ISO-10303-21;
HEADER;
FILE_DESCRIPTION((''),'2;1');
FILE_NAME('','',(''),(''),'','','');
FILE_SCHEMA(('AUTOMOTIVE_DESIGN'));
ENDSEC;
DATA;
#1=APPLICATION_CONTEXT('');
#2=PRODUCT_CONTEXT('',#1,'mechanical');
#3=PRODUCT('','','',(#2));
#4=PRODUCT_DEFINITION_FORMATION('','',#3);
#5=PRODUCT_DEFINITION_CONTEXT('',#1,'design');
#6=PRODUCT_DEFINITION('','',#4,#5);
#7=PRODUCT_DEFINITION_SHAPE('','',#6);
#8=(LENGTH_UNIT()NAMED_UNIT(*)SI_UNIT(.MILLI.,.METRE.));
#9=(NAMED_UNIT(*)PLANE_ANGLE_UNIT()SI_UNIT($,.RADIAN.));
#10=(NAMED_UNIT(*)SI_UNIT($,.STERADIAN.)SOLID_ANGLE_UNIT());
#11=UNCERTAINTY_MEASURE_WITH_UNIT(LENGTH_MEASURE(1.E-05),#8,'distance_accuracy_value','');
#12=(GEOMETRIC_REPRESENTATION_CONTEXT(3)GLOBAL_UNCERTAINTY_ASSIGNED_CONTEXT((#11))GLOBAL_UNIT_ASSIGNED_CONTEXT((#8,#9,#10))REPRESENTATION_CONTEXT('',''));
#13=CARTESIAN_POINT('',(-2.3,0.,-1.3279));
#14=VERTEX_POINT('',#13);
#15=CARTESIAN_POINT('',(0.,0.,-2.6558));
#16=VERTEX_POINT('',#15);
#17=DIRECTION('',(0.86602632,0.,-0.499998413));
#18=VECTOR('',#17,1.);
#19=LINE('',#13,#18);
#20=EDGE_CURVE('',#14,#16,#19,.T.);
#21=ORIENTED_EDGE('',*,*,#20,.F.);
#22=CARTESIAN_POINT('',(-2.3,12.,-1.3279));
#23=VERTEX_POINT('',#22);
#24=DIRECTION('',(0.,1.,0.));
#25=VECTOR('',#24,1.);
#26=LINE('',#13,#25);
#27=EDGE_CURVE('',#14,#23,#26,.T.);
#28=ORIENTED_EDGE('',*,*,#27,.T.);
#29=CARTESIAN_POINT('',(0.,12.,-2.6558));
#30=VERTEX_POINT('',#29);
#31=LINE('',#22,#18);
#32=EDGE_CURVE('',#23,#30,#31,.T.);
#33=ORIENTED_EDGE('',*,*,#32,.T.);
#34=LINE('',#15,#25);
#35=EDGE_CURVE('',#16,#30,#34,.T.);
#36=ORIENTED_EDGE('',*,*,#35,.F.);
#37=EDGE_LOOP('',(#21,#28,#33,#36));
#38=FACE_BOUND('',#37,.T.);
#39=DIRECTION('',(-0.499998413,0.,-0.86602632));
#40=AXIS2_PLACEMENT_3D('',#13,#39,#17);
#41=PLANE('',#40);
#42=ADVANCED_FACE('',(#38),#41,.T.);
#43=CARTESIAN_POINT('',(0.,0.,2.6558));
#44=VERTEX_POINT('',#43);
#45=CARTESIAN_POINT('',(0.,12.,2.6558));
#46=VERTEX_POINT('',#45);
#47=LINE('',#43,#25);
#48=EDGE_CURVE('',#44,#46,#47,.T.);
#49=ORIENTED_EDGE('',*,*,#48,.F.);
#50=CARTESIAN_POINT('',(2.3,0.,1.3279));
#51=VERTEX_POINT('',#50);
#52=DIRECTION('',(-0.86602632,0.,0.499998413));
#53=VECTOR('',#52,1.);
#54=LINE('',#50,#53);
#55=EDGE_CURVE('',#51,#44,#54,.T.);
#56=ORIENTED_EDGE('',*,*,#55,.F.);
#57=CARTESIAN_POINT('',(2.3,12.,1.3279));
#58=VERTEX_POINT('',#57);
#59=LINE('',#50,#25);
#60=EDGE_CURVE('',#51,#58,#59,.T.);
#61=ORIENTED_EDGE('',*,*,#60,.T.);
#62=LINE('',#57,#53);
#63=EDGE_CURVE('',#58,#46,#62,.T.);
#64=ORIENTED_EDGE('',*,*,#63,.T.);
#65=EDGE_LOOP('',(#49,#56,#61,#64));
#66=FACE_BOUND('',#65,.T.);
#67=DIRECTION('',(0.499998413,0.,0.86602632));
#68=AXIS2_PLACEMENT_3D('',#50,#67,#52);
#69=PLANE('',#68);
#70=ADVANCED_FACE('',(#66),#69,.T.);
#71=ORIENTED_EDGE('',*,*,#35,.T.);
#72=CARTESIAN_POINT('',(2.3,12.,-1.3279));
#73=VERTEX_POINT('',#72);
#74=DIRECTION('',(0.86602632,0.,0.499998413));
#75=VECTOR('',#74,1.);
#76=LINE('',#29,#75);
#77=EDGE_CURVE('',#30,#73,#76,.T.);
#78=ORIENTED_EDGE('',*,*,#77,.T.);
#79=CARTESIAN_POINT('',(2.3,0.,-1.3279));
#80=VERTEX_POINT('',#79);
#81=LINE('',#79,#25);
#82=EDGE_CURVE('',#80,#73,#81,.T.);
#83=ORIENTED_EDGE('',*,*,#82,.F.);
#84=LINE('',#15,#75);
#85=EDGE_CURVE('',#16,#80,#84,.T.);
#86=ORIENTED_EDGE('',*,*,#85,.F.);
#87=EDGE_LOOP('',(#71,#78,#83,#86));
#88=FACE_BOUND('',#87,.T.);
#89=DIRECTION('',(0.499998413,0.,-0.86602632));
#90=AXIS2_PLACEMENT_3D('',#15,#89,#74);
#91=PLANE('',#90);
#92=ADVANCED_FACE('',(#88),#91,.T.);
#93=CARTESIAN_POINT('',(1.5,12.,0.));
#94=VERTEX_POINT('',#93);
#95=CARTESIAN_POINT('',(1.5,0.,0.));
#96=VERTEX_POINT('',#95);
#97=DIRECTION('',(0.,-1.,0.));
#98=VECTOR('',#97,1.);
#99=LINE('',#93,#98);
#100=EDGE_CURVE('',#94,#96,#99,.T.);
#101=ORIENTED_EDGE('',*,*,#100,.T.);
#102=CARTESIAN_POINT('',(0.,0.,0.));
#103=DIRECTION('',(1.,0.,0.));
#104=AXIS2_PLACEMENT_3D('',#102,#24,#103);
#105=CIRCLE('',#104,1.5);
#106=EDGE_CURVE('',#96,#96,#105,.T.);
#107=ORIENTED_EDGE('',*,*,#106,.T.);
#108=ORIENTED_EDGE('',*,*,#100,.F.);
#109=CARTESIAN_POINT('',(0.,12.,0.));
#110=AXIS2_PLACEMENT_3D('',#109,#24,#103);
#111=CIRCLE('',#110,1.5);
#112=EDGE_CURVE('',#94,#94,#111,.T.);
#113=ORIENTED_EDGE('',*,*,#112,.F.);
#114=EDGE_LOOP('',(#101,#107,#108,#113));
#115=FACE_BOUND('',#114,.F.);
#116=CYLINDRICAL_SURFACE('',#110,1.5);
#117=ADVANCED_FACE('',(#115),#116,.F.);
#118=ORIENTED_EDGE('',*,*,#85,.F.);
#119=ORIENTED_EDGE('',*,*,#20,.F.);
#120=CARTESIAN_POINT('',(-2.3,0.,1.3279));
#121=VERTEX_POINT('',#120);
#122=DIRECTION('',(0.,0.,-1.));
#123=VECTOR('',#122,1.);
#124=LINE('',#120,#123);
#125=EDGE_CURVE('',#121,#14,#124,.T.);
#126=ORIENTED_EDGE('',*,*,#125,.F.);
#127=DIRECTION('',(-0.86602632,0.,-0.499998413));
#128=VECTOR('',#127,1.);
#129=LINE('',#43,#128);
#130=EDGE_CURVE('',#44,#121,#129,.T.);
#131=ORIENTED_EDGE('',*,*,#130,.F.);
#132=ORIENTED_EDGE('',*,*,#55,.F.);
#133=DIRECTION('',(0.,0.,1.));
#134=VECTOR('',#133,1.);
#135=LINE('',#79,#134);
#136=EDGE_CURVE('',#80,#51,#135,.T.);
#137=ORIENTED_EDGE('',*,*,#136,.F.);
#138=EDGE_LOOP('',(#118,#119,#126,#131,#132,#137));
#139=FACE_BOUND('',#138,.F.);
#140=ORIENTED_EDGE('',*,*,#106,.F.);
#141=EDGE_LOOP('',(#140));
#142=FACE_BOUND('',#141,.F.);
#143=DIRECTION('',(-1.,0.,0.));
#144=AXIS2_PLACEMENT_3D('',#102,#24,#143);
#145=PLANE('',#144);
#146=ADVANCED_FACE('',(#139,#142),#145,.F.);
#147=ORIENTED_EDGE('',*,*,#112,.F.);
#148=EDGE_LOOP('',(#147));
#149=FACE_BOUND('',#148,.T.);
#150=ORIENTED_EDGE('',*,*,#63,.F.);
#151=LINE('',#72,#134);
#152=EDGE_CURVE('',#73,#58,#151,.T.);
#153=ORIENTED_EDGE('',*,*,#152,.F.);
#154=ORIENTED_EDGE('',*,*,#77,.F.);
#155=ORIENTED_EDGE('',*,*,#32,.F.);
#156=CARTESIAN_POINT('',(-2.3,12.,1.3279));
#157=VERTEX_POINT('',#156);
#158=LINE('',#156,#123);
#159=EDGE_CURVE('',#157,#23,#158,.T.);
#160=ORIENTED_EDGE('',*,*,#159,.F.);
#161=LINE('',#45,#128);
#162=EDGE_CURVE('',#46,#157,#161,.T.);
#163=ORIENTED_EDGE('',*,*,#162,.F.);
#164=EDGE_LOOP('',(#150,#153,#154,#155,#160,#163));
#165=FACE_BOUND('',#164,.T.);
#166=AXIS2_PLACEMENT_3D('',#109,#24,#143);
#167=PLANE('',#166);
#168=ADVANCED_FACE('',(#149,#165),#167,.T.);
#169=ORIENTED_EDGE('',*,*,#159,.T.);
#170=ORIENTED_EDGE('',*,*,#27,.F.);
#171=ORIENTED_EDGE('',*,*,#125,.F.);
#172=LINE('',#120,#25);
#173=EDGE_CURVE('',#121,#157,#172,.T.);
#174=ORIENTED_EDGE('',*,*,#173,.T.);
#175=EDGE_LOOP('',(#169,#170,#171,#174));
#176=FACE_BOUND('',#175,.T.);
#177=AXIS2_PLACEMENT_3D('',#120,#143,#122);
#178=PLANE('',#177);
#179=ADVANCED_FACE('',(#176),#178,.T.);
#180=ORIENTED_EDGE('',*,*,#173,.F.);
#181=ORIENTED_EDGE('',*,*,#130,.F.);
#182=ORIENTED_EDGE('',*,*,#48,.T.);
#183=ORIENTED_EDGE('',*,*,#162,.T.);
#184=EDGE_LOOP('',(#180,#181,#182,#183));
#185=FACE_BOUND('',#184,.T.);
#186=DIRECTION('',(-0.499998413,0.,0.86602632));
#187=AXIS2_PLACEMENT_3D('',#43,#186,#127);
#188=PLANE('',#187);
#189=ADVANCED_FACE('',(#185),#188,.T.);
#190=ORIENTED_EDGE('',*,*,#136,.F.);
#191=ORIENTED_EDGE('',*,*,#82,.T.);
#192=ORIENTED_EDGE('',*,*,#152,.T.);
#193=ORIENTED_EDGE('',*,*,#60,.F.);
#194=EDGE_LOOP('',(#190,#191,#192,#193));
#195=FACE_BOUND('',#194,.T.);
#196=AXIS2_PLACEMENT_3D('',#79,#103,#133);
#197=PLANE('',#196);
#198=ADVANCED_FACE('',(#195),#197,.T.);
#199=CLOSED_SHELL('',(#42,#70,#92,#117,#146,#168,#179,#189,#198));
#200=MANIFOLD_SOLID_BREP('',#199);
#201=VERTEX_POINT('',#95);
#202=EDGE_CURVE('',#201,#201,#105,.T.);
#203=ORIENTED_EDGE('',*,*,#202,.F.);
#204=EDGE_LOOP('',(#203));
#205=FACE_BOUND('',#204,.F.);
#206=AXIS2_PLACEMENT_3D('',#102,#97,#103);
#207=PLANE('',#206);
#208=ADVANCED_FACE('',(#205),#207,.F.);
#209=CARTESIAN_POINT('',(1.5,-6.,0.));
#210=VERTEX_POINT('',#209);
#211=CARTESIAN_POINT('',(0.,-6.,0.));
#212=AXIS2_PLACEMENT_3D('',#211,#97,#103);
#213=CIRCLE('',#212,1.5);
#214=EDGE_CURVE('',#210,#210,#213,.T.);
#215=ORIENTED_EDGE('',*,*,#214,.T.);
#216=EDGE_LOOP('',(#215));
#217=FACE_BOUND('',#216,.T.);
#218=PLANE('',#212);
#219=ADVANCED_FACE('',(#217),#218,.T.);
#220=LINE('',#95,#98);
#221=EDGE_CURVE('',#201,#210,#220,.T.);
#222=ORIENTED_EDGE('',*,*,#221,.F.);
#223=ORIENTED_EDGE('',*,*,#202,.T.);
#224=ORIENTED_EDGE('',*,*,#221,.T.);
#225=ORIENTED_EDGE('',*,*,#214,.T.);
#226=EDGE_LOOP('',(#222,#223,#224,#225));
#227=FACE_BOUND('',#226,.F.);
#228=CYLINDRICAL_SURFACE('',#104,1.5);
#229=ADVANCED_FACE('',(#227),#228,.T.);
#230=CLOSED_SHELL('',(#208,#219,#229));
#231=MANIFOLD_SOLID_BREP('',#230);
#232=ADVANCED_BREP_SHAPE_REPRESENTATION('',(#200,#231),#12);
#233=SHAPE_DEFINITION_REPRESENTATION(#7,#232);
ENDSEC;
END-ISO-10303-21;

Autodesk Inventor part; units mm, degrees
ref_plane "YZ Plane" through (0, 0, 0) normal (1, 0, 0) x (0, 1, 0)
ref_plane "XZ Plane" through (0, 0, 0) normal (0, 1, 0) x (-1, 0, 0)
ref_plane "XY Plane" through (0, 0, 0) normal (0, 0, 1) x (1, 0, 0)
sketch "Sketch1" plane through (0, 0, 0) normal (0, 1, 0) x (-1, 0, 0)
  line L0 (0, -2.6558) -> (-2.3, -1.3279)
  line L1 (-2.3, -1.3279) -> (-2.3, 1.3279)
  line L2 (-2.3, 1.3279) -> (0, 2.6558)
  line L3 (0, 2.6558) -> (2.3, 1.3279)
  line L4 (2.3, 1.3279) -> (2.3, -1.3279)
  line L5 (2.3, -1.3279) -> (0, -2.6558)
  point P0 (0, 0)
  point P1 (0, 0)
  dimension "d0" = 4.6
extrude "Extrusion1" add sketch "Sketch1" along normal blind 12
sketch "Sketch2" plane through (0, 12, 0) normal (0, 1, 0) x (1, 0, 0)
  circle A0 centre (0, 0) radius 1.5
  dimension "d3" = 3
extrude "Extrusion2" cut sketch "Sketch2" against normal blind 15
sketch "Sketch3" plane through (0, 0, 0) normal (0, -1, 0) x (1, 0, 0)
  circle A0 centre (0, 0) radius 1.5
  dimension "d6" = 3
extrude "Extrusion3" add sketch "Sketch3" along normal blind 6
properties part number "M3_12_MM_STANDOFF_PIN"
